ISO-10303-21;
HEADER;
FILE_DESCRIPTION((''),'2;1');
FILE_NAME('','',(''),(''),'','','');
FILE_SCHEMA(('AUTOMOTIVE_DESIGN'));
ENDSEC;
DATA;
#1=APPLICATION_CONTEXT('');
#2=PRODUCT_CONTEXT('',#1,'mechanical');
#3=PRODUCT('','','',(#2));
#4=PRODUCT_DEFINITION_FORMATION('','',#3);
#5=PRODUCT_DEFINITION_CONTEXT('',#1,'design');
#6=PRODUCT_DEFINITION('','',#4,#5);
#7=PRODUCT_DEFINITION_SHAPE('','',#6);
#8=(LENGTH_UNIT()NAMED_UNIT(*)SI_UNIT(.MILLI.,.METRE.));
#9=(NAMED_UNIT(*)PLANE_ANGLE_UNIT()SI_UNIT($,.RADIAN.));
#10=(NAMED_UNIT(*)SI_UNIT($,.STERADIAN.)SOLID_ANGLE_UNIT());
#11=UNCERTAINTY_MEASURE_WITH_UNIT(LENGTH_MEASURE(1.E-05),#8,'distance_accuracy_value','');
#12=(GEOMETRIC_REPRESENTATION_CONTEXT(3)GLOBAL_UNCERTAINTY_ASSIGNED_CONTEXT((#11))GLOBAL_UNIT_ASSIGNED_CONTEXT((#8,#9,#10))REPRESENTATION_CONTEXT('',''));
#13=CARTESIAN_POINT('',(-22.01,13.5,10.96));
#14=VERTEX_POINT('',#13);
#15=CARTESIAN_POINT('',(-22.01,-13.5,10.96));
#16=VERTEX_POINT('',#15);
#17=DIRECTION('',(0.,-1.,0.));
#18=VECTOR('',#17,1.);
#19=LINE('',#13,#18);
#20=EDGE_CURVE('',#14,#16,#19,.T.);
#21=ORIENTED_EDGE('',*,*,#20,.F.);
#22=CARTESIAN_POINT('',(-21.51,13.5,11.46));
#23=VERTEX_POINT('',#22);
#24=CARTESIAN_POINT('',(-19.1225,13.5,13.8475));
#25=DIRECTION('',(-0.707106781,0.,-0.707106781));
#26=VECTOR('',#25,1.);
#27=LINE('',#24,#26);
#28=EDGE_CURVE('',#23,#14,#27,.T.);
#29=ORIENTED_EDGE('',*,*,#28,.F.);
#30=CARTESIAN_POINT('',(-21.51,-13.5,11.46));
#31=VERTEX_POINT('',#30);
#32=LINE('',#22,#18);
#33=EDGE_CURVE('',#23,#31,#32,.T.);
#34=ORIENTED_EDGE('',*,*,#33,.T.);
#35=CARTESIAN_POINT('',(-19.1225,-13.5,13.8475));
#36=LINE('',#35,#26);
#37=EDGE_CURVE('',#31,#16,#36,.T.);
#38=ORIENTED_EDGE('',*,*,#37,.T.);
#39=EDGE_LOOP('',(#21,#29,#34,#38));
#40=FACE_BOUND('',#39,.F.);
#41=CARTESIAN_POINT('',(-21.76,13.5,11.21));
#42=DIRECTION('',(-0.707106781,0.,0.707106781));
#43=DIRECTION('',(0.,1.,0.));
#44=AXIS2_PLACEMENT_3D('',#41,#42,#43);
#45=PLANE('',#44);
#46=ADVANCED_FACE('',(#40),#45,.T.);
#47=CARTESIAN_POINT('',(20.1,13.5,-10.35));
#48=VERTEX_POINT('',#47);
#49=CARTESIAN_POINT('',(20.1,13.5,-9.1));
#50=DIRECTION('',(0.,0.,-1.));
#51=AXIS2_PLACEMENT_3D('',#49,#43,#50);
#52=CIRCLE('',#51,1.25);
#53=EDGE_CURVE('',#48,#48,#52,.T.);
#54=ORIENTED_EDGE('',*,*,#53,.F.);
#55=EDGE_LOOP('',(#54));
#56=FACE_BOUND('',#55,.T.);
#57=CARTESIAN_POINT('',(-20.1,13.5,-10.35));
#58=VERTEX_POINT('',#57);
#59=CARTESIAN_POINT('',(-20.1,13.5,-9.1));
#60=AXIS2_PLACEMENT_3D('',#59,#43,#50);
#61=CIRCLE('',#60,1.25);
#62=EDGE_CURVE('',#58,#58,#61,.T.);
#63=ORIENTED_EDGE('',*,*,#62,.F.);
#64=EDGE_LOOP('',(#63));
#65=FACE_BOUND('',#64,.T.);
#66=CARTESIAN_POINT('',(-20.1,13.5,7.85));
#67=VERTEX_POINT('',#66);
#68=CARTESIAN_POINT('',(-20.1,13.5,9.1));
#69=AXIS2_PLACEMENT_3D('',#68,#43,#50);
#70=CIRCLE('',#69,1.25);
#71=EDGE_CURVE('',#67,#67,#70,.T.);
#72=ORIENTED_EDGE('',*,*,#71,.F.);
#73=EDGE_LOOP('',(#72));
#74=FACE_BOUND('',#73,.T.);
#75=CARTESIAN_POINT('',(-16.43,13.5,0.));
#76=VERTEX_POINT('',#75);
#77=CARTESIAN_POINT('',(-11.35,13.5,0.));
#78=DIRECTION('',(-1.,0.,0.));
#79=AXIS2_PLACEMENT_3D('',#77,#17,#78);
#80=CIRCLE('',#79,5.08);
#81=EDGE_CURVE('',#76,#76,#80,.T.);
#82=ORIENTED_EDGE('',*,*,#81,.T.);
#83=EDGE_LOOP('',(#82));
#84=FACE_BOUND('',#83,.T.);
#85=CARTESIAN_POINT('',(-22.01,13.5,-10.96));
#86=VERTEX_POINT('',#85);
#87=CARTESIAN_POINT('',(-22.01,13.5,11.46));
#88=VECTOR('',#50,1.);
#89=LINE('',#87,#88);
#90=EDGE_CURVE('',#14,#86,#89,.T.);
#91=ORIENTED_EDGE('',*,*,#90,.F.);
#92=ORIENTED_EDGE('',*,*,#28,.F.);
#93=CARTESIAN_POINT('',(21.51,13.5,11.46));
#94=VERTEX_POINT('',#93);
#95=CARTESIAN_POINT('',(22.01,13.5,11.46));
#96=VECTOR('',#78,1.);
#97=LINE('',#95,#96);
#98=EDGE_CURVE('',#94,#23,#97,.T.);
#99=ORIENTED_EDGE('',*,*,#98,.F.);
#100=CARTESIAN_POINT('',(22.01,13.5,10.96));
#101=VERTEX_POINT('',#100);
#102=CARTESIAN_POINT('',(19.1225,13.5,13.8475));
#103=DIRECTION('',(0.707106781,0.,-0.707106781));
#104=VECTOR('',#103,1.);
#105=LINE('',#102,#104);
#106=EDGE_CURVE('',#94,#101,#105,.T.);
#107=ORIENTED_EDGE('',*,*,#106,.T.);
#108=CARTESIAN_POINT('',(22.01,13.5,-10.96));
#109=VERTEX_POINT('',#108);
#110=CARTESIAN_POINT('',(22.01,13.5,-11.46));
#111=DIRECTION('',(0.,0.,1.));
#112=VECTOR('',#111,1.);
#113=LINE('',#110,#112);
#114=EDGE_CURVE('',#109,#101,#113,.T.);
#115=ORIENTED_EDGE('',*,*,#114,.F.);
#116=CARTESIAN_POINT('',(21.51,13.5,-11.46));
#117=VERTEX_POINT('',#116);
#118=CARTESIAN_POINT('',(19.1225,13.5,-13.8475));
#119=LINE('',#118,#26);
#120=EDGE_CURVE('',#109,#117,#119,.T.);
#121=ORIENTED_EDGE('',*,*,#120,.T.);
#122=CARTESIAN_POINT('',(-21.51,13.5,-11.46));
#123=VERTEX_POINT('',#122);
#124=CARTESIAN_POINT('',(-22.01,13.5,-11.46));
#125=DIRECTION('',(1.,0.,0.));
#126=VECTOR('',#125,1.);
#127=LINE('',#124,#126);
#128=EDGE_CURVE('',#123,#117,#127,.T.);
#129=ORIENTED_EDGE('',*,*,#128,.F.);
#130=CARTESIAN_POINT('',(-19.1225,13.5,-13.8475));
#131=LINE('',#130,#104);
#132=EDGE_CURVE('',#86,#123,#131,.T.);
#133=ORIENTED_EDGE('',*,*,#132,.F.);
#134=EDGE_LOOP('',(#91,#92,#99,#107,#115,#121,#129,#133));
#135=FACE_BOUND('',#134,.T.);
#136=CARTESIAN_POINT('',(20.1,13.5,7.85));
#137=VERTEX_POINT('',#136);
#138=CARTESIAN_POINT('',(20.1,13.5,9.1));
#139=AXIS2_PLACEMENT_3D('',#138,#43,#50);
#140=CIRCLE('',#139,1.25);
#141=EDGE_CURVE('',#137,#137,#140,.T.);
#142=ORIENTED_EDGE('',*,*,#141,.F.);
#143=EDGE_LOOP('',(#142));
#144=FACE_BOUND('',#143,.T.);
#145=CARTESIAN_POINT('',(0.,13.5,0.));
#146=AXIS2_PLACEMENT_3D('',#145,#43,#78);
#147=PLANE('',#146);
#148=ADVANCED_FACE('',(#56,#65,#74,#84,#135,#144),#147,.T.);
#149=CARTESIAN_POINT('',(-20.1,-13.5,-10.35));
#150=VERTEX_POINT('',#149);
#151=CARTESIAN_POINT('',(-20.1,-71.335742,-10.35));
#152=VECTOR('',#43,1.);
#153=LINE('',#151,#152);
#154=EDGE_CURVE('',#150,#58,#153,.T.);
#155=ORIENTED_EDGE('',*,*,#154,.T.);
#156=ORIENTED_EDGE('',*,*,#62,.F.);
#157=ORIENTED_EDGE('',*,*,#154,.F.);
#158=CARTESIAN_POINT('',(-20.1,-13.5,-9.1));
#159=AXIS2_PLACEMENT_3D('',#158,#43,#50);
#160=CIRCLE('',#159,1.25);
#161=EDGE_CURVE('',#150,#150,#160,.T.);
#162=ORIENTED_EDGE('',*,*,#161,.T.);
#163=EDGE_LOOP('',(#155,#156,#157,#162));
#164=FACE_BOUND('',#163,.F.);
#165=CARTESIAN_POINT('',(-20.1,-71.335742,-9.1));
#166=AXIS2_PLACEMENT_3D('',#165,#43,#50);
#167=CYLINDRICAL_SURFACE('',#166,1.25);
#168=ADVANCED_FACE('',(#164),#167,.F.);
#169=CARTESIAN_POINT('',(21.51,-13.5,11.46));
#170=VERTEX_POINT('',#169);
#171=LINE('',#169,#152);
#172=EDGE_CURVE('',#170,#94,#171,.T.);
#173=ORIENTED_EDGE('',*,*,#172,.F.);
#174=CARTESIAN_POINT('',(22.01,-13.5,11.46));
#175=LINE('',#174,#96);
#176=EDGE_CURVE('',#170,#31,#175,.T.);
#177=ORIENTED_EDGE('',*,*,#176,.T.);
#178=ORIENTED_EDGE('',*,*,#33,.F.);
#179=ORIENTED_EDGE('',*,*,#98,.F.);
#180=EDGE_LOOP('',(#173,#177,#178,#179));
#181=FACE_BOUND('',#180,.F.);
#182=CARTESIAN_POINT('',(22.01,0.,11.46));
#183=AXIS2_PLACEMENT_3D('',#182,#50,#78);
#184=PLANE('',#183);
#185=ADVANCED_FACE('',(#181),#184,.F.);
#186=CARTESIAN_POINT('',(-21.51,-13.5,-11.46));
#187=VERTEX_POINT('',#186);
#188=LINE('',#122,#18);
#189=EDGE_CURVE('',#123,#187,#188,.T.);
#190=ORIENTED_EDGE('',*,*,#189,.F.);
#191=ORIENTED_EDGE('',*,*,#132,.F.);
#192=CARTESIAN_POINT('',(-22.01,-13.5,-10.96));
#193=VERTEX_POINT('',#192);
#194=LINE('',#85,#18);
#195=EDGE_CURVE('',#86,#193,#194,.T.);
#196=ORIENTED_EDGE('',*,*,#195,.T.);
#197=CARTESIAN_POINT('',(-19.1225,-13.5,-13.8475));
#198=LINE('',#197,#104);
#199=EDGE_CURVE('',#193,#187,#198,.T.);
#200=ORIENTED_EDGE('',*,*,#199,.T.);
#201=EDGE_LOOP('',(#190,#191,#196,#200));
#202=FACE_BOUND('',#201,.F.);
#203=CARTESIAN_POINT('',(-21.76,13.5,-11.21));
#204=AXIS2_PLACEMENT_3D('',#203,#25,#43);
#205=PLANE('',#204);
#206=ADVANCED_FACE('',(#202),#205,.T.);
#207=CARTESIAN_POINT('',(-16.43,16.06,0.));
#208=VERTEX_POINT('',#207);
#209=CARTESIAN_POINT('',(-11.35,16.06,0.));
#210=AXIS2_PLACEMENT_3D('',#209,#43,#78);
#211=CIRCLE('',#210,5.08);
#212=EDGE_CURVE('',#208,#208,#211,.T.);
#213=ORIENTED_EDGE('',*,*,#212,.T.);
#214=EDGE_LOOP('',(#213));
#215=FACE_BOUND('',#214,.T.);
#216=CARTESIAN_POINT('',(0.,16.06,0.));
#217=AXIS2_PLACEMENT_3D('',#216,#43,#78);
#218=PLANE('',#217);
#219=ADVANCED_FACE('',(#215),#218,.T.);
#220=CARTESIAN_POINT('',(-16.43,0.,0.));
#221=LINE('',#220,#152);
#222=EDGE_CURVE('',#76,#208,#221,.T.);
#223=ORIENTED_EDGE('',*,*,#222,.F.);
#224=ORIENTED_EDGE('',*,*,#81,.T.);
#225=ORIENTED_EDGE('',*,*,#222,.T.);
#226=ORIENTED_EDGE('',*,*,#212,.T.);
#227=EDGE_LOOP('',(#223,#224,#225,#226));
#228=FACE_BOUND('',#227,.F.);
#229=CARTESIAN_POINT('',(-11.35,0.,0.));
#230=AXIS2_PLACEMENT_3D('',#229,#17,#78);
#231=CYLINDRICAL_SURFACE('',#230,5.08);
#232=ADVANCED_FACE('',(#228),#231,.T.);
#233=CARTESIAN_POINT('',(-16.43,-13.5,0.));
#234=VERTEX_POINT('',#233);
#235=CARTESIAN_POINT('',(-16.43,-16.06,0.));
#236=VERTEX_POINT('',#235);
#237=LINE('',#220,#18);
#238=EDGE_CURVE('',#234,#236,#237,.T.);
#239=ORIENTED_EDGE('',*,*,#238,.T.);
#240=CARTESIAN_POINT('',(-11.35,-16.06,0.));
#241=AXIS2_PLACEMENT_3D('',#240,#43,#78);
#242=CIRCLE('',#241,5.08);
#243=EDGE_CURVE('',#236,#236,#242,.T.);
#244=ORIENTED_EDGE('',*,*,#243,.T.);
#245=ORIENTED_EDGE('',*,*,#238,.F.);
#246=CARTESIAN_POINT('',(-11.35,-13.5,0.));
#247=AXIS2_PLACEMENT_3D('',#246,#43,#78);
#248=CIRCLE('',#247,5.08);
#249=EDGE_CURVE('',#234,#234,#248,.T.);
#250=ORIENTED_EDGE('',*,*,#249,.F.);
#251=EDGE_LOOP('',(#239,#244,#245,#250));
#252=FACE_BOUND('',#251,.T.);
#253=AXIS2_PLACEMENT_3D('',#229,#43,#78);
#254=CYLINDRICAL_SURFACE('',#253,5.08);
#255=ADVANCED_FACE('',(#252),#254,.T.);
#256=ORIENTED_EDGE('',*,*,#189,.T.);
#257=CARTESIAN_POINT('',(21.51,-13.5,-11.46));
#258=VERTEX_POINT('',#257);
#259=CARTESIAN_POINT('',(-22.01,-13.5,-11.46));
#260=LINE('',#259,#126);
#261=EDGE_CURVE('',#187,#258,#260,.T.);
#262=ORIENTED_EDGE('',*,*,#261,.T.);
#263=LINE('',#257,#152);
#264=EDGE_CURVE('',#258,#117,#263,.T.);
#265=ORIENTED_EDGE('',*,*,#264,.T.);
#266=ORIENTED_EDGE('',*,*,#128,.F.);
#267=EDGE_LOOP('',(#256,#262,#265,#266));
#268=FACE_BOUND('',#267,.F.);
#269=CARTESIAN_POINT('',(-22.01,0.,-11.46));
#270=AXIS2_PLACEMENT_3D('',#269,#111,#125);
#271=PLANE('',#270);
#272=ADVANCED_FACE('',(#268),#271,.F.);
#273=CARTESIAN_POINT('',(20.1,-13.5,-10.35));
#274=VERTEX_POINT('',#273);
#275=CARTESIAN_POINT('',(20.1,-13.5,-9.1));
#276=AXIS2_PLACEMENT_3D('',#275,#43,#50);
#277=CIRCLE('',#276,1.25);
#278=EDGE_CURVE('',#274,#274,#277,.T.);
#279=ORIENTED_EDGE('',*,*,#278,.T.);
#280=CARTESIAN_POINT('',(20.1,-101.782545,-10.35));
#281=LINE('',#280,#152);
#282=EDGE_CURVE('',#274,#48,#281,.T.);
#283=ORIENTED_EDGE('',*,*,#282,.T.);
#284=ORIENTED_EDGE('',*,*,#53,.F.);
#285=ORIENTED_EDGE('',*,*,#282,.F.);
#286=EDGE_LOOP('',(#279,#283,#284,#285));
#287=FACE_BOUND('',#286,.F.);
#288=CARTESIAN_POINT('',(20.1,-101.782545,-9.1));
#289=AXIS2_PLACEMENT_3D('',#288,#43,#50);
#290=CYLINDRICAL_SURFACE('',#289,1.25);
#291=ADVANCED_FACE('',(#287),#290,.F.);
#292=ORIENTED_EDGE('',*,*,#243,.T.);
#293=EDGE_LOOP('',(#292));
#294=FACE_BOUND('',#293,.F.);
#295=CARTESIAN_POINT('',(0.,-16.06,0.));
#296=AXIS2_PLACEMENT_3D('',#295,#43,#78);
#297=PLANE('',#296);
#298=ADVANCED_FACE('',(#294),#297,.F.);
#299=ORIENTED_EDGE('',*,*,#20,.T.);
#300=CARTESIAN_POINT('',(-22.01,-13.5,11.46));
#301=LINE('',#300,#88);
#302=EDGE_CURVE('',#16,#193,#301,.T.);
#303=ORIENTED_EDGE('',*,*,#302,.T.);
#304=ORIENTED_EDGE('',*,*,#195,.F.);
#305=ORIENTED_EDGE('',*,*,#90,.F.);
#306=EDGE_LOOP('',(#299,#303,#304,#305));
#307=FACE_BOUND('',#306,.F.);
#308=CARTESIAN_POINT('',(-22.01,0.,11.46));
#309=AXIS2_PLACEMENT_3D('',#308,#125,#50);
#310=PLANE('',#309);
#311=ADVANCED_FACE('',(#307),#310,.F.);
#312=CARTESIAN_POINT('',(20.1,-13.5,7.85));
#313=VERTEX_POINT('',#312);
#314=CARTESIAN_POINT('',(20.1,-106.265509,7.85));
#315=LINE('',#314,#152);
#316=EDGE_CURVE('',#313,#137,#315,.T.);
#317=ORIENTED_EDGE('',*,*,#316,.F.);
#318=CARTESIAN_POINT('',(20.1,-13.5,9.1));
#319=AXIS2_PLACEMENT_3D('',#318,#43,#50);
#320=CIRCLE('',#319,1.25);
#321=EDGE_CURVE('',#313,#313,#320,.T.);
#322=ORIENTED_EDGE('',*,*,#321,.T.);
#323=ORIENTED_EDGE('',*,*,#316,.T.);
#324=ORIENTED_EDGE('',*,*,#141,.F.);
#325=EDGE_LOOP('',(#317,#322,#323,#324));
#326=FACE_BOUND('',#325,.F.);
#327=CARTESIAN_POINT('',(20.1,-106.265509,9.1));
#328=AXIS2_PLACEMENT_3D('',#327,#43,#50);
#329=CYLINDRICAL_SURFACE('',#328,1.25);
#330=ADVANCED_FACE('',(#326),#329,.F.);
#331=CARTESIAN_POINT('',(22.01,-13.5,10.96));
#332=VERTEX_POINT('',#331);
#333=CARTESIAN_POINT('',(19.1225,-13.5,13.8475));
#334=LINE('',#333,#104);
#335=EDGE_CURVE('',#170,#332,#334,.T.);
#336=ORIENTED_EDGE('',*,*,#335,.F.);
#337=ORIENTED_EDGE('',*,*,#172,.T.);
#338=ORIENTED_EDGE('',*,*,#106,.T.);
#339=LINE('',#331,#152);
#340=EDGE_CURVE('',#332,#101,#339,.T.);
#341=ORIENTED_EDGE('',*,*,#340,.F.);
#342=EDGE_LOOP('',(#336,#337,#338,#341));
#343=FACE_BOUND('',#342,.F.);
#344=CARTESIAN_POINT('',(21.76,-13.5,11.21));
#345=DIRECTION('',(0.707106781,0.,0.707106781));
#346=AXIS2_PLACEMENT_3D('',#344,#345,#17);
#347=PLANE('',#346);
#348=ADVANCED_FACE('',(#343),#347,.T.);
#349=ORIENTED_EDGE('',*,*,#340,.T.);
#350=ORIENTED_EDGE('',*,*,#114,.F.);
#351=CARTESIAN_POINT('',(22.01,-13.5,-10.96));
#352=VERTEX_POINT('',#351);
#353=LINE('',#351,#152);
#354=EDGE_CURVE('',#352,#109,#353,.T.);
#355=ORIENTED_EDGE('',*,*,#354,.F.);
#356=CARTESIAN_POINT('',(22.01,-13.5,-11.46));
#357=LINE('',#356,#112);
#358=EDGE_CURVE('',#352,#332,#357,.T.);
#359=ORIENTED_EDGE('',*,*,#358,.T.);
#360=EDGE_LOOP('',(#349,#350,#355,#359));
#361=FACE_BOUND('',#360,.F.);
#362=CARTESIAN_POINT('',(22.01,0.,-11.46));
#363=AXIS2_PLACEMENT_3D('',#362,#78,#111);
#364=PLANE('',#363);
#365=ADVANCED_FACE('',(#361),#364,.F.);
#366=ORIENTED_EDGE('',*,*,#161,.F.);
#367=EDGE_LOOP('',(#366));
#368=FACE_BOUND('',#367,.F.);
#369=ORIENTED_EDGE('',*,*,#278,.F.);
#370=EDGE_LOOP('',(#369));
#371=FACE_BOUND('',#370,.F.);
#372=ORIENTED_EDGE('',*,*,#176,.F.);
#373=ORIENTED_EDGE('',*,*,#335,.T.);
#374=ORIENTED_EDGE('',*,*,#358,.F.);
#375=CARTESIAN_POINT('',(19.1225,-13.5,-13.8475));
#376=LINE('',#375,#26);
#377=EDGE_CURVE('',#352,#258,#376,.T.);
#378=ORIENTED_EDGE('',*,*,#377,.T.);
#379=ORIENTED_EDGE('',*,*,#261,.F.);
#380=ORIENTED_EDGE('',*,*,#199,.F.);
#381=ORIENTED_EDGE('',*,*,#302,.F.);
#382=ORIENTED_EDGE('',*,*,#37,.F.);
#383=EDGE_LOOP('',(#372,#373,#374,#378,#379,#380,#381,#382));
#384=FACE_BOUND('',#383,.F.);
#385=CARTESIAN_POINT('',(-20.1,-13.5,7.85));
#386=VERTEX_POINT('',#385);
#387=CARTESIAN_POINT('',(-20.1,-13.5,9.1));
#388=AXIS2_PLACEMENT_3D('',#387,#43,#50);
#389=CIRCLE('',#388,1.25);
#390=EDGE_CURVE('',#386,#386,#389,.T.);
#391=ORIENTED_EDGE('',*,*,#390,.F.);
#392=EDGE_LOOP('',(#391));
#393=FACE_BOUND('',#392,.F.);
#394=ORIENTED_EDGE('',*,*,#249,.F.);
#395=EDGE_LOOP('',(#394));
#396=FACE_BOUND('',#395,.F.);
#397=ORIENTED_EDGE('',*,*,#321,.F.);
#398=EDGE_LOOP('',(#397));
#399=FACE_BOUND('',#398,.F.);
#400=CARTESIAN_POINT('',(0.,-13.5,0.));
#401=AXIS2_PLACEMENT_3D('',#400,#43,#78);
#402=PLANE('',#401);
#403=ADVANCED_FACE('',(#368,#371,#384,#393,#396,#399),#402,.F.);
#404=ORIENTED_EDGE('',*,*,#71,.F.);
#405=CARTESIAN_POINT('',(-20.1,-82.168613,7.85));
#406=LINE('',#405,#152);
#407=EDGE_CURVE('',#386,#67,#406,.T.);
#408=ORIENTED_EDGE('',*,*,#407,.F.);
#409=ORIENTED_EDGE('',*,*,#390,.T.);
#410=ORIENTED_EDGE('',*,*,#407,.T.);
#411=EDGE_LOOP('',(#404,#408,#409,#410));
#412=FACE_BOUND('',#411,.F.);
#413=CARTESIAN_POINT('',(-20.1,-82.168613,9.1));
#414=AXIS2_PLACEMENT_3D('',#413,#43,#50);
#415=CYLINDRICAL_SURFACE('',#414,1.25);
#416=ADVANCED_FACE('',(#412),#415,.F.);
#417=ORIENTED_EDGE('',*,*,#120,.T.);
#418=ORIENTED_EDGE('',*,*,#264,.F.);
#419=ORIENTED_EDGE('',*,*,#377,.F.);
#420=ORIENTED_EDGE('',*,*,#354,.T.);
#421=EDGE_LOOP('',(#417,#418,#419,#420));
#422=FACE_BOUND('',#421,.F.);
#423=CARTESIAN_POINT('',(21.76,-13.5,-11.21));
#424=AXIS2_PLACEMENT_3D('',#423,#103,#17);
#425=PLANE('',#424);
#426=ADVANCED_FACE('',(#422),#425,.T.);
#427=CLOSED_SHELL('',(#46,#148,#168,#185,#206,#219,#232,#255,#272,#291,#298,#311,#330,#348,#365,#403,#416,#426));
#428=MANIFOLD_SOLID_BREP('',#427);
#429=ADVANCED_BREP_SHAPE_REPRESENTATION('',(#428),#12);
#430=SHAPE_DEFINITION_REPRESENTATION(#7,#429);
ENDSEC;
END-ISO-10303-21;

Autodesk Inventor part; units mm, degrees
ref_plane "YZ Plane" through (0, 0, 0) normal (1, 0, 0) x (0, 1, 0)
ref_plane "XZ Plane" through (0, 0, 0) normal (0, 1, 0) x (-1, 0, 0)
ref_plane "XY Plane" through (0, 0, 0) normal (0, 0, 1) x (1, 0, 0)
sketch "Sketch1" plane through (0, 0, 0) normal (0, 1, 0) x (-1, 0, 0)
  line L0 (-22.01, 11.46) -> (22.01, 11.46)
  line L1 (22.01, 11.46) -> (22.01, -11.46)
  line L2 (22.01, -11.46) -> (-22.01, -11.46)
  line L3 (-22.01, -11.46) -> (-22.01, 11.46)
  line L4 (-22.01, 11.46) -> (22.01, -11.46) construction
  line L5 (22.01, 11.46) -> (-22.01, -11.46) construction
  line L6 (20.1, -9.1) -> (-20.1, -9.1) construction
  line L7 (-20.1, -9.1) -> (-20.1, 9.1) construction
  line L8 (-20.1, 9.1) -> (20.1, 9.1) construction
  line L9 (20.1, 9.1) -> (20.1, -9.1) construction
  line L10 (20.1, -9.1) -> (-20.1, 9.1) construction
  line L11 (-20.1, -9.1) -> (20.1, 9.1) construction
  circle A0 centre (11.35, 0) radius 5.08
  point P0 (0, 0)
  point P1 (22.01, 0)
  dimension "d0" = 18.2
  dimension "d1" = 40.2
  dimension "d2" = 44.02
  dimension "d3" = 22.92
  dimension "d4" = 33.36
  dimension "d5" = 10.16
extrude "Extrusion1" add sketch "Sketch1" along normal mid plane 27 contours L0 L1 L2 L3 | A0
hole "Hole1" at (20.1, 0, -9.1) at (20.1, 0, 9.1) at (-20.1, 0, -9.1) at (-20.1, 0, 9.1) direction (0, 1, 0) diameter 2.5 end through all both
chamfer "Chamfer1" distance 0.5 angle 45 4 edges at (-22.01, 0, -11.46) (-22.01, 0, 11.46) (22.01, 0, -11.46) (22.01, 0, 11.46)
extrude "Extrusion2" add sketch "Sketch1" along normal mid plane 32.12 contours A0
properties part number "Servo_Block"
